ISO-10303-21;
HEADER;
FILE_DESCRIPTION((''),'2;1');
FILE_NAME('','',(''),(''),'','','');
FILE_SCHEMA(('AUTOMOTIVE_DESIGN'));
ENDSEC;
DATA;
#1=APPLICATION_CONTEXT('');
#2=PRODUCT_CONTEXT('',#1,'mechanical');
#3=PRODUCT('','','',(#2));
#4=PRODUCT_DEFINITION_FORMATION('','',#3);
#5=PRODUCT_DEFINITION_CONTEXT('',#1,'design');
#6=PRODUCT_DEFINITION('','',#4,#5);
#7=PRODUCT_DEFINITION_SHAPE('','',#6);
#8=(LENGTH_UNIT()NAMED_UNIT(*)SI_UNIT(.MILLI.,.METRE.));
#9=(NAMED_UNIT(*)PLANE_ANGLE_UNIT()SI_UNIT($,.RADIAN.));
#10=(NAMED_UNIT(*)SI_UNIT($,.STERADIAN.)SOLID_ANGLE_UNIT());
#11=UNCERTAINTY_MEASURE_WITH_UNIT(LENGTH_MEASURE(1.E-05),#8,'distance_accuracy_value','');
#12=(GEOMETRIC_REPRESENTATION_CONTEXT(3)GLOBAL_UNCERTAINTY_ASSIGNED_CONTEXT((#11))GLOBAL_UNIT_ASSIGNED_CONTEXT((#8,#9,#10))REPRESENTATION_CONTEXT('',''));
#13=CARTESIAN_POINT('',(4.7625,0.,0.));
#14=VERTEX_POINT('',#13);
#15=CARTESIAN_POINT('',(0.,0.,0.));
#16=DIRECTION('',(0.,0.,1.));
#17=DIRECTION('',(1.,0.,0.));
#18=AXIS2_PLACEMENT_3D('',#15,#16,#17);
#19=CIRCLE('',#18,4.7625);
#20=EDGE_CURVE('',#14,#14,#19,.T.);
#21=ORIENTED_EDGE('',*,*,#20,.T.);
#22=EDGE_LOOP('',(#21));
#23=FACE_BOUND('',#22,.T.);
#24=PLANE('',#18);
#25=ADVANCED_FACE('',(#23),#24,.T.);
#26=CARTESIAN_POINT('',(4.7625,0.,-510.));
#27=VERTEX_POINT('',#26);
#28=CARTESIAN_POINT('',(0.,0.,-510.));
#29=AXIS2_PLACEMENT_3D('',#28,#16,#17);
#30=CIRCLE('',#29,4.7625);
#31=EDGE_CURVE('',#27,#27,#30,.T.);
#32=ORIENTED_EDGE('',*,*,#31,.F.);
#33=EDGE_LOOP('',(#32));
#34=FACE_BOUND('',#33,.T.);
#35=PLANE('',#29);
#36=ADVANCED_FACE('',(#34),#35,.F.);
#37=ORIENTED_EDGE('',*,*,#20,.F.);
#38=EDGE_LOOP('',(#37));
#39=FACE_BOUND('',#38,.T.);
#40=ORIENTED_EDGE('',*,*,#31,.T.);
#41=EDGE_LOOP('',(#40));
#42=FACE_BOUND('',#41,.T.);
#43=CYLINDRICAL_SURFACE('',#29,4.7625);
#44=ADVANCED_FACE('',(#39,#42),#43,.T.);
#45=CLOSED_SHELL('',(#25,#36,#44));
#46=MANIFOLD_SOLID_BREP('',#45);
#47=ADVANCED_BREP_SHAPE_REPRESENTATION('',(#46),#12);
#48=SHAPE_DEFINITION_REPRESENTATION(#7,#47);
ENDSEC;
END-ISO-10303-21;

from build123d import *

# Parameters (mm, degrees)
SKETCH1_R           = 4.7625
BOSS_EXTRUDE1_DEPTH = 510


with BuildPart() as part:
    # Sketch1 → Boss-Extrude1 (new body)
    with BuildSketch(Plane.XY):
        Circle(SKETCH1_R)
    extrude(amount=-BOSS_EXTRUDE1_DEPTH)


solid = part.part
